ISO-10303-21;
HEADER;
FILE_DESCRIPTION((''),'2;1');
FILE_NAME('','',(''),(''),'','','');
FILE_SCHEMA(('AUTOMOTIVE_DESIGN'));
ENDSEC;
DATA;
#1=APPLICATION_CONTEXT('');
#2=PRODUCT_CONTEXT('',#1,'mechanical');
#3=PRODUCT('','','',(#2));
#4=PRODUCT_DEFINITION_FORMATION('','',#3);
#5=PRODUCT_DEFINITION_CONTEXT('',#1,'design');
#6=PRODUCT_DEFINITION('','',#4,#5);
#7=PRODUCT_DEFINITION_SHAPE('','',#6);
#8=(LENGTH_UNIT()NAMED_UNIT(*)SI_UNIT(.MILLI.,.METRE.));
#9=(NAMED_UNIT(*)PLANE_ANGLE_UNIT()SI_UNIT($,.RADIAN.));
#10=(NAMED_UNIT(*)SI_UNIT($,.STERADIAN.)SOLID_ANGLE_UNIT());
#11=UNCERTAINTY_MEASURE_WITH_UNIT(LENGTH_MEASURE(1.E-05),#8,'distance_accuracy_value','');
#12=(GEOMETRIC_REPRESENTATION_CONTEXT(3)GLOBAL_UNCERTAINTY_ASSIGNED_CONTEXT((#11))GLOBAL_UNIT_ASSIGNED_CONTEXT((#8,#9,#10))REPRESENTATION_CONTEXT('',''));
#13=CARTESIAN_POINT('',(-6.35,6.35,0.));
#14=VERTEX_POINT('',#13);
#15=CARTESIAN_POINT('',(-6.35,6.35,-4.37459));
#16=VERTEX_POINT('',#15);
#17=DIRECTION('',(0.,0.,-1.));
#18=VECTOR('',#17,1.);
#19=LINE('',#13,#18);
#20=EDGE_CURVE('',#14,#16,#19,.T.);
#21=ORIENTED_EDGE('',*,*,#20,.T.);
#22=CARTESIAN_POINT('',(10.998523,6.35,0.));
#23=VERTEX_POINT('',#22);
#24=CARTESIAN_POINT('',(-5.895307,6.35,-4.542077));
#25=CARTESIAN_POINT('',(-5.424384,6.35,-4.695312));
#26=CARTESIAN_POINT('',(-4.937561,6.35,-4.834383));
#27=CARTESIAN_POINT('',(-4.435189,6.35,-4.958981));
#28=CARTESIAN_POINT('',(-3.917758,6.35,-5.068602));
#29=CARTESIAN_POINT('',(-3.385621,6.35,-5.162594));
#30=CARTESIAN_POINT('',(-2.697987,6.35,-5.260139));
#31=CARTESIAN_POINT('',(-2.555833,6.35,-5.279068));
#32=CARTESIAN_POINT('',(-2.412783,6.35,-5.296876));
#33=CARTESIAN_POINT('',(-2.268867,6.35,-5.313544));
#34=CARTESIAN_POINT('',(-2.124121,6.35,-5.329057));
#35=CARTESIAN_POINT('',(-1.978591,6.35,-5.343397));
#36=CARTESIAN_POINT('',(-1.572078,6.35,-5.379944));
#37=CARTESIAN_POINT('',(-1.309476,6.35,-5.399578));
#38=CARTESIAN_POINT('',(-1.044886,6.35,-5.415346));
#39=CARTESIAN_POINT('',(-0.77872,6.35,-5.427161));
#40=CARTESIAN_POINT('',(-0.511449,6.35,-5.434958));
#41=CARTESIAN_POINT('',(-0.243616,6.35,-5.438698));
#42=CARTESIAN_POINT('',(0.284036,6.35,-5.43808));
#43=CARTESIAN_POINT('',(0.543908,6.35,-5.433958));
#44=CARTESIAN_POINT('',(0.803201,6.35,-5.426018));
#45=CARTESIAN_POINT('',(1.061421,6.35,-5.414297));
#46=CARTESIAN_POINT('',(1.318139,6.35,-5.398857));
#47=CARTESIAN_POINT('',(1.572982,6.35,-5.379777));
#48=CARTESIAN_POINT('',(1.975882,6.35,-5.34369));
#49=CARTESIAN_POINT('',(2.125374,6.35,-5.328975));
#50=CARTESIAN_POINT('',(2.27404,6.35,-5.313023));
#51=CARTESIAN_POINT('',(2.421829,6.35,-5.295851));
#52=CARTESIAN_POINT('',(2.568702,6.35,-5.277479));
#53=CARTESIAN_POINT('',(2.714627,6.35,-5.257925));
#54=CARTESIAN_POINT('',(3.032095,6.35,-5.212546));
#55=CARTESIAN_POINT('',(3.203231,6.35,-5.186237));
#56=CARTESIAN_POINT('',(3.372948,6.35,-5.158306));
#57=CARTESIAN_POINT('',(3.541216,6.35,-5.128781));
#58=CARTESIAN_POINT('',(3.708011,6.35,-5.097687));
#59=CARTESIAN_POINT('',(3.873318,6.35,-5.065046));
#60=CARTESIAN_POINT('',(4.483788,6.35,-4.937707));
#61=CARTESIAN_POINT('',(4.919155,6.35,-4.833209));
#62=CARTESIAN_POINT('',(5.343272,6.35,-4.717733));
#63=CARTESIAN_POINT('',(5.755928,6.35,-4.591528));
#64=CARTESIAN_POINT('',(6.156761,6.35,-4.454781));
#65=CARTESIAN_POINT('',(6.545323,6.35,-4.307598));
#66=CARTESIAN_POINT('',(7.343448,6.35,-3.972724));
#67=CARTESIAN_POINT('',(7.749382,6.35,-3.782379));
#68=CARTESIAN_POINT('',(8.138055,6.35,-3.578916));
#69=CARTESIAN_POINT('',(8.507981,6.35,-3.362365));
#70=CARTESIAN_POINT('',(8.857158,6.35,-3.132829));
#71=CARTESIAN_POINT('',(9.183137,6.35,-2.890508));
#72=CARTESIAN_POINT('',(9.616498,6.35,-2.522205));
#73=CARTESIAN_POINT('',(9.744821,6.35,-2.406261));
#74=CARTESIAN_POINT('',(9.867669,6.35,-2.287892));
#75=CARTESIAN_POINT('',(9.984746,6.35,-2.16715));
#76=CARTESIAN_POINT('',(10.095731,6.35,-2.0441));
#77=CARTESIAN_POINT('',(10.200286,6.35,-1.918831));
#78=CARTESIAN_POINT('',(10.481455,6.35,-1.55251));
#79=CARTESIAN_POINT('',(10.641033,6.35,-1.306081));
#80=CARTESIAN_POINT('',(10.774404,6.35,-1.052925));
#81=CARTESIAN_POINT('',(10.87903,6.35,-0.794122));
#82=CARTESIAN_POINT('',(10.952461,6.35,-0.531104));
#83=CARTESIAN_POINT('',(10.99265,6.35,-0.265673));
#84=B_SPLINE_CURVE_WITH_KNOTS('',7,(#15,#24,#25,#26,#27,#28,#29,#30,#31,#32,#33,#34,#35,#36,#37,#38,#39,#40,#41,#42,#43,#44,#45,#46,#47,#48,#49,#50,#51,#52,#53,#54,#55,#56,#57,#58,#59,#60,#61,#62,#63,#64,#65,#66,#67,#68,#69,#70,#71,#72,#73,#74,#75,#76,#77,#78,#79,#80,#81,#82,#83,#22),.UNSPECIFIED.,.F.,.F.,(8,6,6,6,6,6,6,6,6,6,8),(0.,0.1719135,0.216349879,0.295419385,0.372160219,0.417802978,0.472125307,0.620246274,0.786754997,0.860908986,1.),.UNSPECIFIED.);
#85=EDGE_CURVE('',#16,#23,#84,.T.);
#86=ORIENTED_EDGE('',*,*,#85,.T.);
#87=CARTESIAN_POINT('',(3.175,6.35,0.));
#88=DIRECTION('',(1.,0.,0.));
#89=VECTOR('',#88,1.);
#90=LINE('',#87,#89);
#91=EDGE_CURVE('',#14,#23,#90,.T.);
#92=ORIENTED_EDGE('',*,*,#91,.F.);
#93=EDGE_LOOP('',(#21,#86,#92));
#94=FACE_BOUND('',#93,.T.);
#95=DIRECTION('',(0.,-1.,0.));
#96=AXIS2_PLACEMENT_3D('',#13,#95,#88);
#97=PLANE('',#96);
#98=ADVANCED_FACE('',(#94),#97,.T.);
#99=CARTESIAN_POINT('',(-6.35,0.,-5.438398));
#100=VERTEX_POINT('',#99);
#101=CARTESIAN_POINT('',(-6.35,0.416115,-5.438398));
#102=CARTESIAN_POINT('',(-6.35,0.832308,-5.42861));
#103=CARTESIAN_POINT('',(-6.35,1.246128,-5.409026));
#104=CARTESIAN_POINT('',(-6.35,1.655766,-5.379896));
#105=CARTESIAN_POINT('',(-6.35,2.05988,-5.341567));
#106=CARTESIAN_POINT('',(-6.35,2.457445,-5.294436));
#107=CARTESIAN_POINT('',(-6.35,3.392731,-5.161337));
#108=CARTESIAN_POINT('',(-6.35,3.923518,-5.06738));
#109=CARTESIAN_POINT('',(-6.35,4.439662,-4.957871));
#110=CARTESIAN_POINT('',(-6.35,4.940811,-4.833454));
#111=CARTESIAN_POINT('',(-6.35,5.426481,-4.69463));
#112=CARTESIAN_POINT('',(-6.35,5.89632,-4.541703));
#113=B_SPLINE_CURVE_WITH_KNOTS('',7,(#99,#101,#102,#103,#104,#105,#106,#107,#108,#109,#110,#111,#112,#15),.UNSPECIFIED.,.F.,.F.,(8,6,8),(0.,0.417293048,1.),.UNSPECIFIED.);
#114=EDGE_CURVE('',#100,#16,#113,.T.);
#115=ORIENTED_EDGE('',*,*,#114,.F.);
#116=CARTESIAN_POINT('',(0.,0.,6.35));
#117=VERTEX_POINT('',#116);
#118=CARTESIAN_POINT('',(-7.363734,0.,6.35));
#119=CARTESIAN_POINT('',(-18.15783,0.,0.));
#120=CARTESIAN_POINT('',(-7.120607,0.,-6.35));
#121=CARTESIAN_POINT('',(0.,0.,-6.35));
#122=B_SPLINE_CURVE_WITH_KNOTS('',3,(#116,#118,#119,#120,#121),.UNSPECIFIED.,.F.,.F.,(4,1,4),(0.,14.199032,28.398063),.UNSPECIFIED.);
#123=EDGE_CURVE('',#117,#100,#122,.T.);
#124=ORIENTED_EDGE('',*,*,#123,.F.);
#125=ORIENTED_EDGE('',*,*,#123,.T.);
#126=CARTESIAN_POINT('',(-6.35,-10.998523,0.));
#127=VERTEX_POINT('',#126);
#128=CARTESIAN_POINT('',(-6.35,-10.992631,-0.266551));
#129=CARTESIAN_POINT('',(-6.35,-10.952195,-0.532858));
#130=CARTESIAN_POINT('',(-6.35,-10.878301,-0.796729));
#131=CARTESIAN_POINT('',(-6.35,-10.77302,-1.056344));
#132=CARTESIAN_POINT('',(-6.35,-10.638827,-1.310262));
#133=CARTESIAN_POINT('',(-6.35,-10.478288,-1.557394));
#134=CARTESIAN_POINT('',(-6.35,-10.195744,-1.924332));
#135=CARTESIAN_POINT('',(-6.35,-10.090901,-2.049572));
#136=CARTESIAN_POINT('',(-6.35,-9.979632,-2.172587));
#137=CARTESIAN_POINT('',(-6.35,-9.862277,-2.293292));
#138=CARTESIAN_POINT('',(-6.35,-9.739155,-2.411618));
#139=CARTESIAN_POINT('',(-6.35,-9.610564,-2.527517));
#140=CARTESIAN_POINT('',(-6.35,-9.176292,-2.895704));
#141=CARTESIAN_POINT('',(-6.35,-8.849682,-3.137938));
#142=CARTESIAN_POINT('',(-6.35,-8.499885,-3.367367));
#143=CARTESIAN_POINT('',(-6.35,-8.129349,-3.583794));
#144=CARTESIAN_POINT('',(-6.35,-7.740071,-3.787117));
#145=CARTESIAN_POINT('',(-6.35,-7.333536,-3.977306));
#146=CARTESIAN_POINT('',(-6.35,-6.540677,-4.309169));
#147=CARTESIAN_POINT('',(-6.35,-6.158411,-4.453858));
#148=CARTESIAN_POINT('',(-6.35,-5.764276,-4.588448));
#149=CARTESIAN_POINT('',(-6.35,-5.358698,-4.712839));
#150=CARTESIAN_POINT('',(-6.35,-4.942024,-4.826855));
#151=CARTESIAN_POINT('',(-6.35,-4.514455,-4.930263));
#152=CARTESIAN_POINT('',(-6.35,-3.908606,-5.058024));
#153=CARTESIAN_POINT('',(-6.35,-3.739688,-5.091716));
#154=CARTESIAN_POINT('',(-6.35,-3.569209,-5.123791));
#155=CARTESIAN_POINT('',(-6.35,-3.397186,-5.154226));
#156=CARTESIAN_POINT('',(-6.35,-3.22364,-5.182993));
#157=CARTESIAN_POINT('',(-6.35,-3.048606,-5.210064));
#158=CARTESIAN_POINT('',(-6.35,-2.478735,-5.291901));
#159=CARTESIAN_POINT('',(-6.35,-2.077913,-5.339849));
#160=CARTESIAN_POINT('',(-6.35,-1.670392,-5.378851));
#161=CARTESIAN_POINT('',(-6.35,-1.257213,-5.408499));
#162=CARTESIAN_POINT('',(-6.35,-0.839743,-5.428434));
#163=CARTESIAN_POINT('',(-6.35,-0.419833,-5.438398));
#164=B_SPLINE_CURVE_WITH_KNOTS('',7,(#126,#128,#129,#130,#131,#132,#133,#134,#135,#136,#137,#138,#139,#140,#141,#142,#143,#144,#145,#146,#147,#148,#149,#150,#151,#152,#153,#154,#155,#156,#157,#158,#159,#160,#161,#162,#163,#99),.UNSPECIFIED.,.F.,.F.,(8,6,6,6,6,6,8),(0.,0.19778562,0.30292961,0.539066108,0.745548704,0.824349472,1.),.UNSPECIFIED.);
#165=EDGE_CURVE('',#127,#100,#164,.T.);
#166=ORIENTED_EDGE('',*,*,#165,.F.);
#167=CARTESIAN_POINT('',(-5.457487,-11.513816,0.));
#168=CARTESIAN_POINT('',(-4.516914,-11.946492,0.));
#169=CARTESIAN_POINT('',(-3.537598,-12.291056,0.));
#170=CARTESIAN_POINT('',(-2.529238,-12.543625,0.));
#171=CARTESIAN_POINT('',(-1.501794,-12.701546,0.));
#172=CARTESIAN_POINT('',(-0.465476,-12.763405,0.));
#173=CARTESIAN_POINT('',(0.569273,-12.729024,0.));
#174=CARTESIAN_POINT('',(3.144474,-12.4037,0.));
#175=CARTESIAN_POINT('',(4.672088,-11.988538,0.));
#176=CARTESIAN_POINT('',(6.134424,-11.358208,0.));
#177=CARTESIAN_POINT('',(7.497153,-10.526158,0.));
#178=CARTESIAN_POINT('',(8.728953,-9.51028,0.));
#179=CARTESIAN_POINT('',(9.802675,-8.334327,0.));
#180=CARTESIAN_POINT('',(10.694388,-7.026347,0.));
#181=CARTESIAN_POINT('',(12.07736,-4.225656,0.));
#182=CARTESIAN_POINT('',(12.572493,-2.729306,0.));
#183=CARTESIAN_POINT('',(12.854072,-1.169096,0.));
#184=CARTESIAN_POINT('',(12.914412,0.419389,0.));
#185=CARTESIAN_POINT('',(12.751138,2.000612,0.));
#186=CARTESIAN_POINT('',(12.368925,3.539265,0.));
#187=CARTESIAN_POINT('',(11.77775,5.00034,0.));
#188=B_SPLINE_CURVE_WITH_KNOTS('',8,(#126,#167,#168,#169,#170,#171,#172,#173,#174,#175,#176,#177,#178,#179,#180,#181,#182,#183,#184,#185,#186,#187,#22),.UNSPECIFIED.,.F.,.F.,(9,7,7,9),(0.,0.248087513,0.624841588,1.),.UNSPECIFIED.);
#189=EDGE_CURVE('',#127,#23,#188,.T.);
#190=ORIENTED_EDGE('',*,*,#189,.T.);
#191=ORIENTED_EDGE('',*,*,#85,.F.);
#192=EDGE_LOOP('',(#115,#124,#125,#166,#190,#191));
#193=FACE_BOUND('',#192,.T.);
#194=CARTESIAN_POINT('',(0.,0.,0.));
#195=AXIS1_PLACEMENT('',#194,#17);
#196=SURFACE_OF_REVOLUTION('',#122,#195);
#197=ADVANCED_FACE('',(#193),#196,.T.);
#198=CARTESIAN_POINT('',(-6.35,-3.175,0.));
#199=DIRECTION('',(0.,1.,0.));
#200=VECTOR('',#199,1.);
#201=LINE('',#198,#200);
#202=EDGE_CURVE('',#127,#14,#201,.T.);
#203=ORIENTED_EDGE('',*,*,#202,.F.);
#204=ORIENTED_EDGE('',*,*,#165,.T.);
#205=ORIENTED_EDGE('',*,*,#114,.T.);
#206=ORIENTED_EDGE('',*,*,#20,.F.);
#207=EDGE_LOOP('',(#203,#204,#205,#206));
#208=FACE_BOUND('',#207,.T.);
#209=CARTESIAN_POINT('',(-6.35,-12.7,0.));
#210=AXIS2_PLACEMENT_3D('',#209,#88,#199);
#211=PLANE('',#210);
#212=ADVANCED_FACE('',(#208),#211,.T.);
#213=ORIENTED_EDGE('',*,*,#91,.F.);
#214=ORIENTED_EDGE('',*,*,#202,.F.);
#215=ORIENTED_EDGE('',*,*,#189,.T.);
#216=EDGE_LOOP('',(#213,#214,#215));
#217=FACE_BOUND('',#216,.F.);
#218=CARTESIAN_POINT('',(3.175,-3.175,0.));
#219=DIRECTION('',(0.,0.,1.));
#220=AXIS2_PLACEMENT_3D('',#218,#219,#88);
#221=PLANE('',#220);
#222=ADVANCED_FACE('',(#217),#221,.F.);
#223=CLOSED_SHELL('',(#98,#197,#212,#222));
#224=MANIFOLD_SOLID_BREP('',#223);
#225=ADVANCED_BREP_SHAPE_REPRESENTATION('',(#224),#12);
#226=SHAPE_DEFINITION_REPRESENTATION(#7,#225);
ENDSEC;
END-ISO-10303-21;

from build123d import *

# Parameters (mm, degrees)
F2_W     = 19.05
F2_H     = 19.05
F3_DEPTH = 6.35


with BuildPart() as f1:
    # F0 (on Front) → F1 (revolve)
    with BuildSketch(Plane.XZ):
        with BuildLine():
            Line((0, -6.35), (0, 6.35))
            add(Edge.make_bspline(
                [(0, 6.35), (-7.363734, 6.35), (-18.15783, 0), (-7.120607, -6.35), (0, -6.35)],
                knots=[0, 0, 0, 0, 14.199032, 28.398063, 28.398063, 28.398063, 28.398063], degree=3))
        make_face()
    revolve(axis=Axis((0, 0, 0), (0, 0, -1)))

    # F2 (on Top) → F3 (cut)
    with BuildSketch(Plane.XY):
        with Locations((3.175, -3.175)):
            Rectangle(F2_W, F2_H)
    extrude(amount=-F3_DEPTH, mode=Mode.SUBTRACT)


solid = f1.part
